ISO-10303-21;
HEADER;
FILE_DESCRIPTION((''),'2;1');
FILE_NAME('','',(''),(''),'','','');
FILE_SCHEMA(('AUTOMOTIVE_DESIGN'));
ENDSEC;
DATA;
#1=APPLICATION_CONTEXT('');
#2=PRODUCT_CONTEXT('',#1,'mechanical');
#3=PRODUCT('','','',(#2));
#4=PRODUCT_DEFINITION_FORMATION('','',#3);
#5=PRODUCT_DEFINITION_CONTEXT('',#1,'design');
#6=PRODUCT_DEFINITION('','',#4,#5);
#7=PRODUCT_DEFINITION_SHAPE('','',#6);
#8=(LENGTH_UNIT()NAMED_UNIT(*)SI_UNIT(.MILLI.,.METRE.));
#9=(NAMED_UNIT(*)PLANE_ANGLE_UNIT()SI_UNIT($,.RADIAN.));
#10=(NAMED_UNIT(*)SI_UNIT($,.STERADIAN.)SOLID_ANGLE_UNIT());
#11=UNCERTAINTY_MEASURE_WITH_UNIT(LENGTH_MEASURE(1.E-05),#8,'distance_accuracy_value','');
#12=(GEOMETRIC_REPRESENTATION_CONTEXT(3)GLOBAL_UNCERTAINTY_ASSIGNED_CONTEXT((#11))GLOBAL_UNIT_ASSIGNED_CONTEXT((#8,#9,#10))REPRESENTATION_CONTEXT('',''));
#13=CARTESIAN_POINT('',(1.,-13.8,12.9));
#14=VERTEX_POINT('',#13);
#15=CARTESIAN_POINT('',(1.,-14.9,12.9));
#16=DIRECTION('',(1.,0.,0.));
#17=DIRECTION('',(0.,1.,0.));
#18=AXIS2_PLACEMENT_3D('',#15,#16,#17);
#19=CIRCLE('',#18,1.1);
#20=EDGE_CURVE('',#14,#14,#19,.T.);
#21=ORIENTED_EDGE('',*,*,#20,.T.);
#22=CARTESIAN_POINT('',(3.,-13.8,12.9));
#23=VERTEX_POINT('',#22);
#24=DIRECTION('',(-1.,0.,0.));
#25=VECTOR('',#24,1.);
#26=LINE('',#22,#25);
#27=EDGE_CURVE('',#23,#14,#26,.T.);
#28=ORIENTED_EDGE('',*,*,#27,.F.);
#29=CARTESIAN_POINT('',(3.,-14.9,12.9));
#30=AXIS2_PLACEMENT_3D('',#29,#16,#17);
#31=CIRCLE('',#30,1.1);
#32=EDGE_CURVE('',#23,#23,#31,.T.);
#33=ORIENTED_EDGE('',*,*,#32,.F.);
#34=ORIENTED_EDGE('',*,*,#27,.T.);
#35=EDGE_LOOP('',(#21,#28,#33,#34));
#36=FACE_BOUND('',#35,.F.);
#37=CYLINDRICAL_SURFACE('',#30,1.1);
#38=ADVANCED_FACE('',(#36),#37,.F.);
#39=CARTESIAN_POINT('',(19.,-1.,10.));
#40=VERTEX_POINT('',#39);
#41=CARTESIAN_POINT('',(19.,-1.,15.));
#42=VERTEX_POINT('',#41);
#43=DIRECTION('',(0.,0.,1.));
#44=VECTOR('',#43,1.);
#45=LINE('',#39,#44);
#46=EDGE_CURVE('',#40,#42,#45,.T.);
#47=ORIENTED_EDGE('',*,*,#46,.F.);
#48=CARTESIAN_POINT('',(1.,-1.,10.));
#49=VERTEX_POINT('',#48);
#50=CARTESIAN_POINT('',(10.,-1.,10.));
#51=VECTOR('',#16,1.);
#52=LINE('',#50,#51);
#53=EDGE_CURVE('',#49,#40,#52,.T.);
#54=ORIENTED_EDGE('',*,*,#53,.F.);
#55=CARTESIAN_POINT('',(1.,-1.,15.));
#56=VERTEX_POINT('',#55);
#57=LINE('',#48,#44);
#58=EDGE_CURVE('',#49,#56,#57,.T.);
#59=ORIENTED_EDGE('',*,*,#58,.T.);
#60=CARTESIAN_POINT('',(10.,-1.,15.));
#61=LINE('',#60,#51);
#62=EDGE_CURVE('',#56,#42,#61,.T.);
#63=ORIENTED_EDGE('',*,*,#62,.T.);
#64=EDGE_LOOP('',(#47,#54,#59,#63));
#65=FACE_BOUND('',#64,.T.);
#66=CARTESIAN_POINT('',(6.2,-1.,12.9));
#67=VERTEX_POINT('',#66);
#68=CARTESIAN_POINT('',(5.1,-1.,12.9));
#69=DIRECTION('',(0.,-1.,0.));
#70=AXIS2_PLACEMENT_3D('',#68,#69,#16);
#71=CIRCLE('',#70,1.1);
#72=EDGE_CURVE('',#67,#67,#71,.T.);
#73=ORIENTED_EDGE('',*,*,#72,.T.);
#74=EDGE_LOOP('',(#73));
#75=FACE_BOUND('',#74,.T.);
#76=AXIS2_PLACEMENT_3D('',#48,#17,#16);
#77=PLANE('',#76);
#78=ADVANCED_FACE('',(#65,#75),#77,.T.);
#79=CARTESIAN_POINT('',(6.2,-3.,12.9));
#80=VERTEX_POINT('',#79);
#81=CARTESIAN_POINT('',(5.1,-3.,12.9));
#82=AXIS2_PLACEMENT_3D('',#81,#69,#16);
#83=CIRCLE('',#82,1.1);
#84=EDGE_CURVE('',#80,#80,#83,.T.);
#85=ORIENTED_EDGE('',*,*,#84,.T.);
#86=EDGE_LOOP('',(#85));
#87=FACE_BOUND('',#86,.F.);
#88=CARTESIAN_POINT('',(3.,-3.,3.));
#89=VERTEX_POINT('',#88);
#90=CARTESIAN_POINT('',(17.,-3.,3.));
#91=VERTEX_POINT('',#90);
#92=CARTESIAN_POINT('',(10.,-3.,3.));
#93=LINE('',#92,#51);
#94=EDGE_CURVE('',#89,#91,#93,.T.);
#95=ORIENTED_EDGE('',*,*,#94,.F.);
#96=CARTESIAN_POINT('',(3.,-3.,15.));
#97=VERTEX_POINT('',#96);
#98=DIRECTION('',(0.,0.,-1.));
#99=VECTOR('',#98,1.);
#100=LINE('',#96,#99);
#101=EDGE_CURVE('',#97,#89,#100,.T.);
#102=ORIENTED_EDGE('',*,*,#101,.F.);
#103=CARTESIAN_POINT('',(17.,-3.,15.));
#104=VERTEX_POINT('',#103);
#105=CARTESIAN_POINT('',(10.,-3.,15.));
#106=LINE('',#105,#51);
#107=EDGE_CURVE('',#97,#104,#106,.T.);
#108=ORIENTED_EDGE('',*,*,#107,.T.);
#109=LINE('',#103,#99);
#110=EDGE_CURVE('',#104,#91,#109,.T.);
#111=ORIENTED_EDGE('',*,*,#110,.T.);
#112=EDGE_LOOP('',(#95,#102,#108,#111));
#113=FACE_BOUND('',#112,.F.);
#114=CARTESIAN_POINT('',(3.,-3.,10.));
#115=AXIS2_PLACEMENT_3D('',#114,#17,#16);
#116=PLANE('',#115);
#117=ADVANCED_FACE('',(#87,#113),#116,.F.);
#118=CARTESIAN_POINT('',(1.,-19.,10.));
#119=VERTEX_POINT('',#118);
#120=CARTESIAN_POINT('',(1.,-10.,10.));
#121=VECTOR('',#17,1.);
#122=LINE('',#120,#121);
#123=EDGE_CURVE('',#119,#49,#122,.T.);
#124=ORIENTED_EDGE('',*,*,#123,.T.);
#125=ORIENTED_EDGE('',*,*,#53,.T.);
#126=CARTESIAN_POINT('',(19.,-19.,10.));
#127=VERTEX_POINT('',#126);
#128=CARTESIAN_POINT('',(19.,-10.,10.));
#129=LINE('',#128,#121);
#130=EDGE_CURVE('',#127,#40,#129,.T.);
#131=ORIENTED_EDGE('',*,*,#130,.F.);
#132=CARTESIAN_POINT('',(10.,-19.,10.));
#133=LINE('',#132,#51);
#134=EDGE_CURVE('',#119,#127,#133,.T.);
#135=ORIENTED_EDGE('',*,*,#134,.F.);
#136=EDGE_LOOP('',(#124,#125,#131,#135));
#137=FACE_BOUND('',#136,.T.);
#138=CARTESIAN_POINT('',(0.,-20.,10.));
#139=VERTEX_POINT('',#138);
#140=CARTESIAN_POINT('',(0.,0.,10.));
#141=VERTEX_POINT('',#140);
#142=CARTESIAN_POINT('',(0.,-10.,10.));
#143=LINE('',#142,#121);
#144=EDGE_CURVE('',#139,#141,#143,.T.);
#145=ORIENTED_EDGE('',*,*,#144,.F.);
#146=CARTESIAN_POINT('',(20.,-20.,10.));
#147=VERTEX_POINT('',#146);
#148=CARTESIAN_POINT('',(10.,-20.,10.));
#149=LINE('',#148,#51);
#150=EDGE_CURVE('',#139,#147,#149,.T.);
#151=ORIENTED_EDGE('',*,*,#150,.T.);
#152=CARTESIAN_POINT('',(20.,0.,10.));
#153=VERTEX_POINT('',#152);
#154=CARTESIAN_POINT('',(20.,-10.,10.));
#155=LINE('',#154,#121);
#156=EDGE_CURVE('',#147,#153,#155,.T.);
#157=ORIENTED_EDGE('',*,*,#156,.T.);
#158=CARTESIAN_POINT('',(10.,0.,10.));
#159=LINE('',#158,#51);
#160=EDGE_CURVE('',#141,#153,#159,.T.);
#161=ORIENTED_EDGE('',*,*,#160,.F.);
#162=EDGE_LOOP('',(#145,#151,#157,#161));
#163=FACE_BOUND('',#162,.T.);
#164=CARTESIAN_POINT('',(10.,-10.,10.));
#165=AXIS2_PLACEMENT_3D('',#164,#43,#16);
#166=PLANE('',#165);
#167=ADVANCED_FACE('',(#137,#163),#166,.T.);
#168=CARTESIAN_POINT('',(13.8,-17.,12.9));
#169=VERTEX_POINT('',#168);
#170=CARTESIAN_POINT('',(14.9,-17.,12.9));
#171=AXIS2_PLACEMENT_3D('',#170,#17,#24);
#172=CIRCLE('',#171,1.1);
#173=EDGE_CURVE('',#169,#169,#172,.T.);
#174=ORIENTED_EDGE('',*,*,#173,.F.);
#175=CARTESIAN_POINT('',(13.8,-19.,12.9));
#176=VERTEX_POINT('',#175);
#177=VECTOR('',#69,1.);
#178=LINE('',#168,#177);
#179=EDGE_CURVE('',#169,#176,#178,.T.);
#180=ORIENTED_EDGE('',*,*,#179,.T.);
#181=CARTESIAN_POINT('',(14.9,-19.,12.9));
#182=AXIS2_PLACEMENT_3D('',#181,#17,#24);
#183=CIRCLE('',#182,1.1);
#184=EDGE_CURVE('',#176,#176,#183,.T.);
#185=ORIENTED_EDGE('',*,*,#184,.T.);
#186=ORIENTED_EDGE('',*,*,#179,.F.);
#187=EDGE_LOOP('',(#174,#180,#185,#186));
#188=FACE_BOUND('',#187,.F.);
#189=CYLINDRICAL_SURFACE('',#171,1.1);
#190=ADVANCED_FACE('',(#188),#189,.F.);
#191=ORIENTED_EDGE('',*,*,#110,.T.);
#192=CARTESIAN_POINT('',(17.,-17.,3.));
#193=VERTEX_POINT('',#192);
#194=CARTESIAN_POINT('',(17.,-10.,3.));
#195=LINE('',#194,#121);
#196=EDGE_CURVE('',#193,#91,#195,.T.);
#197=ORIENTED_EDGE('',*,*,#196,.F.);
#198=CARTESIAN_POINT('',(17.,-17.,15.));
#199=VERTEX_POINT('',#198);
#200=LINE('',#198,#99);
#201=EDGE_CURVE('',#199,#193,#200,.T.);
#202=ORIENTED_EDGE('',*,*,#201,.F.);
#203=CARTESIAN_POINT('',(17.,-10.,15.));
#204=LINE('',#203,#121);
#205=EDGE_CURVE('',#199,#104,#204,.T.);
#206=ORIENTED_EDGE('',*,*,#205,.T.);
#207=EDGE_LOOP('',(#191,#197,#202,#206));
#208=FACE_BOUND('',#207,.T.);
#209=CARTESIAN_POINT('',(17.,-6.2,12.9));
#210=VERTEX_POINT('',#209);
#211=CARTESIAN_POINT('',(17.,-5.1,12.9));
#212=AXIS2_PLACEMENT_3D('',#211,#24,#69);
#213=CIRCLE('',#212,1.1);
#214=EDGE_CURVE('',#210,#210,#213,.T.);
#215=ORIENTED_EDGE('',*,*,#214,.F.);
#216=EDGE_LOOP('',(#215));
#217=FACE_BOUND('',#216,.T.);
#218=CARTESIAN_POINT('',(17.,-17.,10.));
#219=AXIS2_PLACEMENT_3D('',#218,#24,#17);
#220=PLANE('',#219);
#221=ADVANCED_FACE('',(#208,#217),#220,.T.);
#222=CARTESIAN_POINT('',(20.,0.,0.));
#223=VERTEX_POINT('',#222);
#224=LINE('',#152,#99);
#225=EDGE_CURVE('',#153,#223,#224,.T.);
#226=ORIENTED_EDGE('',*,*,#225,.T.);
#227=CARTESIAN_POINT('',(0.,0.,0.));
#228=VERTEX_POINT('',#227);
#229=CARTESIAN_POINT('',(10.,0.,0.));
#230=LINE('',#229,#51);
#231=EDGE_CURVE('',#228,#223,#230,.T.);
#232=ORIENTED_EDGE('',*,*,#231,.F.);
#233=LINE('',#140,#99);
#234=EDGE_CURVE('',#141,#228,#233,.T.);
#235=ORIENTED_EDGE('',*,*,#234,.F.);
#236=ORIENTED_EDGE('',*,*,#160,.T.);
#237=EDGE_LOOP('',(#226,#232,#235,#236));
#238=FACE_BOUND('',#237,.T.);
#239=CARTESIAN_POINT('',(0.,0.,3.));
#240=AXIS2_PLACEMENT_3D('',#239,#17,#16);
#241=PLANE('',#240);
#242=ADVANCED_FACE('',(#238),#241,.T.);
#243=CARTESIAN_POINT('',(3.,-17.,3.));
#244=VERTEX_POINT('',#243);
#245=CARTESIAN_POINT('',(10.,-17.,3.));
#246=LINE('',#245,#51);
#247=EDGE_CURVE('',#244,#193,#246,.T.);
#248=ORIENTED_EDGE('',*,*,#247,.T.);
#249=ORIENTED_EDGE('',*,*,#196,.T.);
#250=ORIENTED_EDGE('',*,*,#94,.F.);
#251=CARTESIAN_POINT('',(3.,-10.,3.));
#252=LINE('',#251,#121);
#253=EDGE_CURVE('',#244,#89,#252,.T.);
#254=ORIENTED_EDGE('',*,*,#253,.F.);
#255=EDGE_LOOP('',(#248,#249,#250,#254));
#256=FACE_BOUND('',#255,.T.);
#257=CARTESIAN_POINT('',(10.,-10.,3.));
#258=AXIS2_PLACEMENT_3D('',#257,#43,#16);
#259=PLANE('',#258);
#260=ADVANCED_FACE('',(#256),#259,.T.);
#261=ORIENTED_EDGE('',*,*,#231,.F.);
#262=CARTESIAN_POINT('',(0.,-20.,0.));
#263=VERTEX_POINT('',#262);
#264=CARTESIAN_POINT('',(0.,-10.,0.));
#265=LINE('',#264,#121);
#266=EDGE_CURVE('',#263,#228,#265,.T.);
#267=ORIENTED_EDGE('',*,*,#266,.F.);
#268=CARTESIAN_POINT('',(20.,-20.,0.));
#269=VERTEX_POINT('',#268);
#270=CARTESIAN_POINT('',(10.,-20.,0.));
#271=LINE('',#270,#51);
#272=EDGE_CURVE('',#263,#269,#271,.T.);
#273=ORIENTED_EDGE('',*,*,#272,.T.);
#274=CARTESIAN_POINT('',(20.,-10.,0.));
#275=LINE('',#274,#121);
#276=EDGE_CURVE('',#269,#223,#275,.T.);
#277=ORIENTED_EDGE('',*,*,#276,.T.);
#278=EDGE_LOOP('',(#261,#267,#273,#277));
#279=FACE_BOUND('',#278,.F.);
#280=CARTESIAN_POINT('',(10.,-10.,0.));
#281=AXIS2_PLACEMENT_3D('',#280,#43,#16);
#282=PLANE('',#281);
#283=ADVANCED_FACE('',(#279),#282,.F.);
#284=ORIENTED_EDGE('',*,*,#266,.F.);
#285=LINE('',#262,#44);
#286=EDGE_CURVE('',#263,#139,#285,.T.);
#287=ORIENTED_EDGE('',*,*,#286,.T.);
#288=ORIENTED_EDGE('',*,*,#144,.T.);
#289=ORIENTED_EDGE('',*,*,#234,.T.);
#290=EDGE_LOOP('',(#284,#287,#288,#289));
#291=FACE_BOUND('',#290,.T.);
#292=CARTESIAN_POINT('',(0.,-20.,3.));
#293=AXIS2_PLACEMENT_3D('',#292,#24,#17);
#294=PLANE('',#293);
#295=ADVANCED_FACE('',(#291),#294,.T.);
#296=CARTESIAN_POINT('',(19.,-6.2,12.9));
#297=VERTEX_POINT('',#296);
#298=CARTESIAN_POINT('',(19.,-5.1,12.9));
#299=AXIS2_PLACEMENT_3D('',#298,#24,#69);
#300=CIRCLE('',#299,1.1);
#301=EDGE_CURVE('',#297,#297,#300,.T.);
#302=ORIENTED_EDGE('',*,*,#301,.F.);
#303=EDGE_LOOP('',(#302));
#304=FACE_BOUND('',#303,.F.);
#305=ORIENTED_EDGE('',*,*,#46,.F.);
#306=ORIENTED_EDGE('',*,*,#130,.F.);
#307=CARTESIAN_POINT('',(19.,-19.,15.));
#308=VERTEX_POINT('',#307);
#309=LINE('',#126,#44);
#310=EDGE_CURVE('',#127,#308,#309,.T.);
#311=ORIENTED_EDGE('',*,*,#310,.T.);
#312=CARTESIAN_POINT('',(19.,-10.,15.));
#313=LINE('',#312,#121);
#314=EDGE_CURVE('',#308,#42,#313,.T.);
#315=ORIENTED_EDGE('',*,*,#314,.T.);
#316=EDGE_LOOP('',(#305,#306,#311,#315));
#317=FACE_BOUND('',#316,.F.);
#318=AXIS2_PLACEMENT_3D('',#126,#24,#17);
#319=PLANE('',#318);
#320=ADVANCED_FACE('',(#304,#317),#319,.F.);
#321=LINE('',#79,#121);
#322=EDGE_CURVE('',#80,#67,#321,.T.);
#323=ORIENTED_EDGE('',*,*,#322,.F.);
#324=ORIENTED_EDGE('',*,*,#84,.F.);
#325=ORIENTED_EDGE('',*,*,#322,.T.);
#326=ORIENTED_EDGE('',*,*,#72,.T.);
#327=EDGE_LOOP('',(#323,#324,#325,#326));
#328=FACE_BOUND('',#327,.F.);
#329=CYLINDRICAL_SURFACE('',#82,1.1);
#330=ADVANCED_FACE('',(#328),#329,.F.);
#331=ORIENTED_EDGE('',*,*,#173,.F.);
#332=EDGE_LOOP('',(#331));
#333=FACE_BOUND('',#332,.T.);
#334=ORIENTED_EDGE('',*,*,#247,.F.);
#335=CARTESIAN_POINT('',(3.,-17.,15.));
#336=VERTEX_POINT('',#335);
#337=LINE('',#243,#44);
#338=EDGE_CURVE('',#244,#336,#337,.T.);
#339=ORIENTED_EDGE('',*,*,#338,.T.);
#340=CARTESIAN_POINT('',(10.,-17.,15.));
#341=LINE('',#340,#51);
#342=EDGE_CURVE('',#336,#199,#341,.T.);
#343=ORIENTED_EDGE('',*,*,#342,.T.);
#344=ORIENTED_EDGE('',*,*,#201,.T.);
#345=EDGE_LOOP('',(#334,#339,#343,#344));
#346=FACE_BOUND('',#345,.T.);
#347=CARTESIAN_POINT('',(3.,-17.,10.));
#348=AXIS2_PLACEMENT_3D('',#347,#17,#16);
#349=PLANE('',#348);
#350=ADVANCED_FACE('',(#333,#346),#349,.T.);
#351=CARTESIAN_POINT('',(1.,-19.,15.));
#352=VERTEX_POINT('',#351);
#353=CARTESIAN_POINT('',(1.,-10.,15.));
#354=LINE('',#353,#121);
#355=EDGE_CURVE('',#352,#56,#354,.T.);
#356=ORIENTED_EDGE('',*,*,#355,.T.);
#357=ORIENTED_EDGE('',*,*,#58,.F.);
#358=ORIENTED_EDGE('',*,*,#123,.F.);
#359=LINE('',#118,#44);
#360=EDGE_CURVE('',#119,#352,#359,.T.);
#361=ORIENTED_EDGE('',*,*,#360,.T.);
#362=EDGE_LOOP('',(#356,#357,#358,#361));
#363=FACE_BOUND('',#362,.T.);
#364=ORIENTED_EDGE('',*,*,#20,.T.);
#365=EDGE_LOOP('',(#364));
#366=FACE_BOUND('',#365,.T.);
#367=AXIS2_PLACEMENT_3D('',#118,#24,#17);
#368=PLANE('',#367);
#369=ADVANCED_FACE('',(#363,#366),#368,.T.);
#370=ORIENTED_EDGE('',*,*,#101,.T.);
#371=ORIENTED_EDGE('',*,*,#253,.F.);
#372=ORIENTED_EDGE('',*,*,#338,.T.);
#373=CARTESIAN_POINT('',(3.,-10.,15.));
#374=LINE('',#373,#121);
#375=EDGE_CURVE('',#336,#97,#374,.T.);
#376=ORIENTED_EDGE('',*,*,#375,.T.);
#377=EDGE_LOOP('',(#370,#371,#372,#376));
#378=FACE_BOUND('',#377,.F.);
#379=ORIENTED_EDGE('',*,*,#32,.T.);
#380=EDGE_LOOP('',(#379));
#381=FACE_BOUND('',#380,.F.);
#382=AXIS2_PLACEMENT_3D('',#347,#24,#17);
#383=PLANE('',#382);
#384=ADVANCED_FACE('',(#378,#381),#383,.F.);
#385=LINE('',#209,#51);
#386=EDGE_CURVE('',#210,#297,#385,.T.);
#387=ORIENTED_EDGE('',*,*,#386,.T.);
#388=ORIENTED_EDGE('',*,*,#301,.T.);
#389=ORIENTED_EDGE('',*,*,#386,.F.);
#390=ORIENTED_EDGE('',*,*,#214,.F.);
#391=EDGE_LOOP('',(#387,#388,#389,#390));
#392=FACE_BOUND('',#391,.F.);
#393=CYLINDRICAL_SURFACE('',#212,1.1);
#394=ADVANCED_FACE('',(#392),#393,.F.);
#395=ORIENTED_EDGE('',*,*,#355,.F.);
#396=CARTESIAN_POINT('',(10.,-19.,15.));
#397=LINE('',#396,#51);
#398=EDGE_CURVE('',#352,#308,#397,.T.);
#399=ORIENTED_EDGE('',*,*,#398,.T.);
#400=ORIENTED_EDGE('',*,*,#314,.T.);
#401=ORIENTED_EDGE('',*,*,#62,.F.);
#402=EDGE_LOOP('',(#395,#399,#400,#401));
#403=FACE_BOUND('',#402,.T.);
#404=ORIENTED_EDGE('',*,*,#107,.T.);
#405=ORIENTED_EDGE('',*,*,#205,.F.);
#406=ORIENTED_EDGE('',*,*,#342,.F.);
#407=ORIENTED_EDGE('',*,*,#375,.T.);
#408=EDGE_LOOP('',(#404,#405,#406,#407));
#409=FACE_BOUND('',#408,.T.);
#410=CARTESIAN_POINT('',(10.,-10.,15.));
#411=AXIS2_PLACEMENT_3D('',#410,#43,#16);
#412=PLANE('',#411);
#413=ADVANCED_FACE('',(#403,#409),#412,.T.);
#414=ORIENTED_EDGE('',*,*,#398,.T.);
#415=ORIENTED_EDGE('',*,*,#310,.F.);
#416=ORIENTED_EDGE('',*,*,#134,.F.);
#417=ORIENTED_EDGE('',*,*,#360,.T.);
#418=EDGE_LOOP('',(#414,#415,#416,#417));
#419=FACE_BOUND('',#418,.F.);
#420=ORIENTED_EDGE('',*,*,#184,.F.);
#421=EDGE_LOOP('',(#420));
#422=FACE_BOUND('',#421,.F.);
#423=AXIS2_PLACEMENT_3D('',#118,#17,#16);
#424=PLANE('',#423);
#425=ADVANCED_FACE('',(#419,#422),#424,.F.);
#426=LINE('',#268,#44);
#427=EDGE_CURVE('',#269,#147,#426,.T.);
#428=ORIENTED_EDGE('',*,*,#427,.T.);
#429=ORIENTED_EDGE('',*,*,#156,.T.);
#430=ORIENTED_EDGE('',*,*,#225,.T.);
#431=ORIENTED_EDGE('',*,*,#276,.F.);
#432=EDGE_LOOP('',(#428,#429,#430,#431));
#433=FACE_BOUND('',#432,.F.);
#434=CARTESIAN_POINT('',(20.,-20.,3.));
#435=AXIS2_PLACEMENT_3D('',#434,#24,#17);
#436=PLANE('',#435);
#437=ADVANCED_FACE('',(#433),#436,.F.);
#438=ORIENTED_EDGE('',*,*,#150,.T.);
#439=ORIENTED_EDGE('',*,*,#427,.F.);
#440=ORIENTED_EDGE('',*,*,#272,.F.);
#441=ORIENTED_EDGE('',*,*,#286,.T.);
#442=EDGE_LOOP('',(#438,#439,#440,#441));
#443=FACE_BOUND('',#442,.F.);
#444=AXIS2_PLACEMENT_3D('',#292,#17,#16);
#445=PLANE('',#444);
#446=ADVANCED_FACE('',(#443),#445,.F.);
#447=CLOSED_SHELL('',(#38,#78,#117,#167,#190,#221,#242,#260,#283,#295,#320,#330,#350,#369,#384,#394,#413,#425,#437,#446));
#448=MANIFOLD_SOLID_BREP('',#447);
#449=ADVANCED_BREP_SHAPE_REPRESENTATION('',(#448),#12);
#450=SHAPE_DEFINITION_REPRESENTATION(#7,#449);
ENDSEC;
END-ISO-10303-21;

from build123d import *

# Parameters (mm, degrees)
F2_W      = 20
F2_H      = 20
F3_DEPTH  = 3
F4_W      = 20
F4_H      = 20
F4_W_2    = 14
F4_H_2    = 14
F5_DEPTH  = 7
F7_W      = 18
F7_H      = 18
F7_W_2    = 14
F7_H_2    = 14
F8_DEPTH  = 5
F9_R      = 1.1
F10_DEPTH = 2
F11_R     = 1.1
F12_DEPTH = 3
F13_R     = 1.1
F14_DEPTH = 3
F15_R     = 1.1
F16_DEPTH = 3


with BuildPart() as f3:
    # F2 (on Top) → F3 (new body)
    with BuildSketch(Plane.XY):
        with Locations((10, -10)):
            Rectangle(F2_W, F2_H)
    extrude(amount=F3_DEPTH)

    # F4 (on face) → F5 (join)
    with BuildSketch(Plane.XY.offset(3)):
        with Locations((10, -10)):
            Rectangle(F4_W, F4_H)
        with Locations((10, -10)):
            Rectangle(F4_W_2, F4_H_2, mode=Mode.SUBTRACT)
    extrude(amount=F5_DEPTH)

    # F7 (on face) → F8 (join)
    with BuildSketch(Plane.XY.offset(10)):
        with Locations((10, -10)):
            Rectangle(F7_W, F7_H)
        with Locations((10, -10)):
            Rectangle(F7_W_2, F7_H_2, mode=Mode.SUBTRACT)
    extrude(amount=F8_DEPTH)

    # F9 (on face) → F10 (cut)
    with BuildSketch(Plane(origin=(0, -17, 0), x_dir=(-1, 0, 0), z_dir=(0, 1, 0))):
        with Locations((-14.9, 12.9)):
            Circle(F9_R)
    extrude(amount=-F10_DEPTH, mode=Mode.SUBTRACT)

    # F11 (on face) → F12 (cut)
    with BuildSketch(Plane.YZ.offset(3)):
        with Locations((-14.9, 12.9)):
            Circle(F11_R)
    extrude(amount=-F12_DEPTH, mode=Mode.SUBTRACT)

    # F13 (on face) → F14 (cut)
    with BuildSketch(Plane.XZ.offset(3)):
        with Locations((5.1, 12.9)):
            Circle(F13_R)
    extrude(amount=-F14_DEPTH, mode=Mode.SUBTRACT)

    # F15 (on face) → F16 (cut)
    with BuildSketch(Plane(origin=(17, 0, 0), x_dir=(0, -1, 0), z_dir=(-1, 0, 0))):
        with Locations((5.1, 12.9)):
            Circle(F15_R)
    extrude(amount=-F16_DEPTH, mode=Mode.SUBTRACT)


solid = f3.part
